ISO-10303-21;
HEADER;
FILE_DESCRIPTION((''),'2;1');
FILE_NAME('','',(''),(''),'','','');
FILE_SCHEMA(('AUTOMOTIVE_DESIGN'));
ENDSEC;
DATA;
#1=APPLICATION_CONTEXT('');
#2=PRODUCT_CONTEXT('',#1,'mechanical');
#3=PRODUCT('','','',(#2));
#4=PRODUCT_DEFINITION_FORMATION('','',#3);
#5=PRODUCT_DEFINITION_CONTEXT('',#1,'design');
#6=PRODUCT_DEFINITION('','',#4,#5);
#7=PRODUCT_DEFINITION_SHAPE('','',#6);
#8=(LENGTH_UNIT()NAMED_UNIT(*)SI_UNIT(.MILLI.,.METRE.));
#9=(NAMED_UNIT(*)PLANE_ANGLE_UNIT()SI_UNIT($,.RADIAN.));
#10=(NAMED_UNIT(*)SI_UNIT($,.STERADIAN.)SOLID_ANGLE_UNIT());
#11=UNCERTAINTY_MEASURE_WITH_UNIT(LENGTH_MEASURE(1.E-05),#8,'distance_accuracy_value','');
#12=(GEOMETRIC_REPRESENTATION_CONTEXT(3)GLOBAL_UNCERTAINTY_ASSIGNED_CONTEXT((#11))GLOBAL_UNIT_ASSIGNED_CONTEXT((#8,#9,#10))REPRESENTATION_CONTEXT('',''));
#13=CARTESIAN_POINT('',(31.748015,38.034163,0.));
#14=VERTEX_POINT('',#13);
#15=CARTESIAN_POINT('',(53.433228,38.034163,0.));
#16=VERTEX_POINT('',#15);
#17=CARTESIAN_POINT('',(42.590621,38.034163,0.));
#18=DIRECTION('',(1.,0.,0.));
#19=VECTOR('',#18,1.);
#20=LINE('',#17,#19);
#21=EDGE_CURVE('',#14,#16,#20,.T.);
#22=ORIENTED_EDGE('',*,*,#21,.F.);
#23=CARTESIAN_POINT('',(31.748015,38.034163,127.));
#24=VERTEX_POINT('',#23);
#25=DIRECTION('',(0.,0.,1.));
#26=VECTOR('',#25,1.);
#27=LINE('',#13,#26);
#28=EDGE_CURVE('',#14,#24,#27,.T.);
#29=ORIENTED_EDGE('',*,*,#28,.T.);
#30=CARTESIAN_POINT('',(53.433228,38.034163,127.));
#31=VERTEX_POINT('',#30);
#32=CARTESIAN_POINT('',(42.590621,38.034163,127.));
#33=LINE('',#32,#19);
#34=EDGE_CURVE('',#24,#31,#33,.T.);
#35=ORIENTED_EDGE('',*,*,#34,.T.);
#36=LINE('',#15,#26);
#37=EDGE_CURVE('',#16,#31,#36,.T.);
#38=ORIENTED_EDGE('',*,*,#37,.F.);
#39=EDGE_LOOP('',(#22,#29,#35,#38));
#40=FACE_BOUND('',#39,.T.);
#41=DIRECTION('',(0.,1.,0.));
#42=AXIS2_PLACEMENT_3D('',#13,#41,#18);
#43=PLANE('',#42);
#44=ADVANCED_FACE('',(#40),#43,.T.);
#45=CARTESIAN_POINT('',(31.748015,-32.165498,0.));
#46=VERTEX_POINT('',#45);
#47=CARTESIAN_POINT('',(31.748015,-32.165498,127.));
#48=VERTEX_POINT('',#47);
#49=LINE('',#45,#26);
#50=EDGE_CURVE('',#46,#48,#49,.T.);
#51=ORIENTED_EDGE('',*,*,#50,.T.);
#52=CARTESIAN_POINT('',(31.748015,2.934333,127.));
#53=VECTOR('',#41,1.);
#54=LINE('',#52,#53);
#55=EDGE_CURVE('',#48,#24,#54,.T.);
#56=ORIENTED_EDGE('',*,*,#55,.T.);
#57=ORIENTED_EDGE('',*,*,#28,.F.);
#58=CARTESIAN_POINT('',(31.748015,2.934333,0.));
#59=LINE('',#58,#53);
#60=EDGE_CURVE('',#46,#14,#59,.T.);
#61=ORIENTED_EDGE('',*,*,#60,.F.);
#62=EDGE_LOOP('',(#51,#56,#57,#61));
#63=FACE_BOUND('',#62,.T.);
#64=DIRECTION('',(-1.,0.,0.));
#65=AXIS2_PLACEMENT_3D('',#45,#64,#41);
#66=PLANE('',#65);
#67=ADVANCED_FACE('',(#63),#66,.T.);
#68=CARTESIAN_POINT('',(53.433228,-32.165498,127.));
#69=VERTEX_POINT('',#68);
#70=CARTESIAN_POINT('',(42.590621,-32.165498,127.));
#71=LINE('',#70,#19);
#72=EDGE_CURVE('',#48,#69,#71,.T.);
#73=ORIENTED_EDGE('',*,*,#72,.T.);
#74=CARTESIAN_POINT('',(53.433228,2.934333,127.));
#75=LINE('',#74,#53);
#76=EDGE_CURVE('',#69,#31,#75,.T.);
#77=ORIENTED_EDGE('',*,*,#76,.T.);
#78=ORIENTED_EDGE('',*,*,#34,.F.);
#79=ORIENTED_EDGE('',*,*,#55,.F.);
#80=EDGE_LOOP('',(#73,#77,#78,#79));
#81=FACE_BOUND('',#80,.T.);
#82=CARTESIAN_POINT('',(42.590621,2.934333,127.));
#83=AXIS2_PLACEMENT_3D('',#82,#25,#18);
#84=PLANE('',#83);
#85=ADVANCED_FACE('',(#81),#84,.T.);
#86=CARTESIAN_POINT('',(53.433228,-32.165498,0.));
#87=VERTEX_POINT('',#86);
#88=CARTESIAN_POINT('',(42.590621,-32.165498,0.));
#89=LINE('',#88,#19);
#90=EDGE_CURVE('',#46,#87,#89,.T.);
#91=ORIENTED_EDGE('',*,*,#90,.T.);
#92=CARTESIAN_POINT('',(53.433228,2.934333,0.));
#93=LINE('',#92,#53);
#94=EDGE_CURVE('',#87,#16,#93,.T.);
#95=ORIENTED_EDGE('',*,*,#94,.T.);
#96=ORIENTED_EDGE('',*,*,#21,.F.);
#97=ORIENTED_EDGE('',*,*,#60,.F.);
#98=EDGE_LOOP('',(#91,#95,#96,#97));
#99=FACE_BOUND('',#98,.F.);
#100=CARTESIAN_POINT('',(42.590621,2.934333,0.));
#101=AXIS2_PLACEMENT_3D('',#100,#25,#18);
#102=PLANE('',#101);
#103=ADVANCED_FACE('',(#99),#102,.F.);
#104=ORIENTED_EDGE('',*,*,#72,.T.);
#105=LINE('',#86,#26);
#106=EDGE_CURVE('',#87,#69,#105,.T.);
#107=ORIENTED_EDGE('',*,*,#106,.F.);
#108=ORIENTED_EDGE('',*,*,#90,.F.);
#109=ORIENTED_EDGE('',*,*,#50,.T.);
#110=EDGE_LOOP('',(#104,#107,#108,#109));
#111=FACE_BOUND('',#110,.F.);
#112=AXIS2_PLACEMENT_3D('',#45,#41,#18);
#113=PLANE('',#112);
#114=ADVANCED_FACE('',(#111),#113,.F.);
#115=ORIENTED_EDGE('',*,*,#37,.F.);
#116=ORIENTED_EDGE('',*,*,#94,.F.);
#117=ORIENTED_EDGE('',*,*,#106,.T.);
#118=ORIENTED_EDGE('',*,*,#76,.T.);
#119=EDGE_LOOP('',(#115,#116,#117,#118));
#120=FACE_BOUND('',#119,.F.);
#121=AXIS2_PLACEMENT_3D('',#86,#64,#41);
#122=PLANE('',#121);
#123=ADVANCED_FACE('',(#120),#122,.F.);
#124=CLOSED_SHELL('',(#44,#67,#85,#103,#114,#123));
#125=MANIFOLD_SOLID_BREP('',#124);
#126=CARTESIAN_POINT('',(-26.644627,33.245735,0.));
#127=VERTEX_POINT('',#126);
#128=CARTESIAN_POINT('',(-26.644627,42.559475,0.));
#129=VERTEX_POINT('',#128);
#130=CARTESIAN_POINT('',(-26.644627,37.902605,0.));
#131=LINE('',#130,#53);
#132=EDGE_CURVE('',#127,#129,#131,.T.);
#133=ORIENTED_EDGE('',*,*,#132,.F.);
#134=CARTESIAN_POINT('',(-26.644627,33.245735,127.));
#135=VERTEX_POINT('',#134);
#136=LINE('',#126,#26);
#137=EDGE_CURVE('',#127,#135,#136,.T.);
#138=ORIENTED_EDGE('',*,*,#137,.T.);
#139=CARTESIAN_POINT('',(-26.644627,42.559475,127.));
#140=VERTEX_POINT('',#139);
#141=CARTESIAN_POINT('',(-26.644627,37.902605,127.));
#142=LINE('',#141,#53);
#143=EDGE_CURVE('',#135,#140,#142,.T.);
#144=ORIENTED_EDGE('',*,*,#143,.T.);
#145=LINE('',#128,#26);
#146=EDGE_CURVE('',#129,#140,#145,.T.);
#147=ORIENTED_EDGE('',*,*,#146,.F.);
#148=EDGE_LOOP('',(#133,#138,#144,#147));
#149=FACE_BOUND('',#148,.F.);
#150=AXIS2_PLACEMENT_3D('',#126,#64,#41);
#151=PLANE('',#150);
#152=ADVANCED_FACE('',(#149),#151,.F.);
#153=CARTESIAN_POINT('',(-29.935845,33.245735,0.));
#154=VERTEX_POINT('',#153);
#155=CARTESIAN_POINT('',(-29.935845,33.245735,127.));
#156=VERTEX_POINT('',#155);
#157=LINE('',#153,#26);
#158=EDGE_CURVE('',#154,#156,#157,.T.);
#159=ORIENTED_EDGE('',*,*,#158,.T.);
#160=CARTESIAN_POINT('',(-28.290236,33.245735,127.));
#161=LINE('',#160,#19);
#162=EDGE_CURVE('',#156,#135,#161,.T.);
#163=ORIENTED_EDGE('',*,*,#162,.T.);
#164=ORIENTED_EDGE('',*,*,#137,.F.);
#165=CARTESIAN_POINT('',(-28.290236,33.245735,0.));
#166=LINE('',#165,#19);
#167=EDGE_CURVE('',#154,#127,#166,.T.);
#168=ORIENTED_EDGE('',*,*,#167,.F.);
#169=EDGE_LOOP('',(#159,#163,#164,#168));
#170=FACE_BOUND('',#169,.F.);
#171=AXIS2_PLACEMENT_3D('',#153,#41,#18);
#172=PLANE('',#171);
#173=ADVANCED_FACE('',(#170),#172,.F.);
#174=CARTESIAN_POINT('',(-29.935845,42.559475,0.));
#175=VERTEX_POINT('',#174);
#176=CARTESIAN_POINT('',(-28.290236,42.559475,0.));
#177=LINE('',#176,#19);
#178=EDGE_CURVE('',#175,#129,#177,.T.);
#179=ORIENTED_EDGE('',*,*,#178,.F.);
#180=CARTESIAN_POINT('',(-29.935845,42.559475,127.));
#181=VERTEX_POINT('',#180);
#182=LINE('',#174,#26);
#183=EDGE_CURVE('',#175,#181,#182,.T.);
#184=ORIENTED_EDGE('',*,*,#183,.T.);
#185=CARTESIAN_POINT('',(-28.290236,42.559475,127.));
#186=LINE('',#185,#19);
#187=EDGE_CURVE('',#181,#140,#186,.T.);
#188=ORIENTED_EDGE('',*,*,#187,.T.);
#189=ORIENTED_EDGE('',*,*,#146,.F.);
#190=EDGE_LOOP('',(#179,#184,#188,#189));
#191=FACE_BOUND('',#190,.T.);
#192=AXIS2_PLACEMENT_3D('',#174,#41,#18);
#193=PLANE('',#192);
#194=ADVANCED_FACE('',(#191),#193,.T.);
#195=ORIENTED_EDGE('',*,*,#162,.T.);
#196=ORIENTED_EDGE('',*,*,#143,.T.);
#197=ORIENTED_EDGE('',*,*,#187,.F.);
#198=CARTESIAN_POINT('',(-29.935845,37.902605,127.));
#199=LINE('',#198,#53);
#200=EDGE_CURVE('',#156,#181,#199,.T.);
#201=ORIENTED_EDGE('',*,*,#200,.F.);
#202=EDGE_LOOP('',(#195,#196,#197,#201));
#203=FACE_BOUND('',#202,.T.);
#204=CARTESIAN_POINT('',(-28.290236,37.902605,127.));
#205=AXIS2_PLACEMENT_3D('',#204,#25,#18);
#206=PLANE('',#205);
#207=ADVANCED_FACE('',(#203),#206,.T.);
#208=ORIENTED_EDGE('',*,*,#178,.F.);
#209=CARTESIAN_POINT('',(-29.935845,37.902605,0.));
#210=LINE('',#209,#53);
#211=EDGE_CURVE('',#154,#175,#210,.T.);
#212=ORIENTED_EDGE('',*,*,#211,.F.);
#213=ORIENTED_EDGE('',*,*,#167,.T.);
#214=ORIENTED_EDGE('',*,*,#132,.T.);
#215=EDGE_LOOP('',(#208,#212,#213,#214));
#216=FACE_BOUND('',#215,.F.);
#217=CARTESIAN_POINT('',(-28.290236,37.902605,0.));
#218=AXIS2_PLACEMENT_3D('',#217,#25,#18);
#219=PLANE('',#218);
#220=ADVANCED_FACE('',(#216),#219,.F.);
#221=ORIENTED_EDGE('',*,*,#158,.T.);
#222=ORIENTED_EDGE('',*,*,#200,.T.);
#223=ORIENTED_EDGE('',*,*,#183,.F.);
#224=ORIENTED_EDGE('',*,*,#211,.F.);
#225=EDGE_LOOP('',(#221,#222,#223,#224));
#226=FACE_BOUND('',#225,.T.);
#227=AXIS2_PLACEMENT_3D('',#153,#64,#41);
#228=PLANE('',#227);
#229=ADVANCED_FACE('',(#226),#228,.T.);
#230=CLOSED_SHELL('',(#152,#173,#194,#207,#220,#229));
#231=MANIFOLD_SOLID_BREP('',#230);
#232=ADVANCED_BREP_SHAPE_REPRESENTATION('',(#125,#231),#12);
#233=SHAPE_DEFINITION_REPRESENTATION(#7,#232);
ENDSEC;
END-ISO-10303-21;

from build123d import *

# Parameters (mm, degrees)
F0_W     = 3.291217
F0_H     = 9.31374
F0_W_2   = 21.685213
F0_H_2   = 70.199661
F1_DEPTH = 127


with BuildPart() as f1:
    # F0 (on Top) → F1 (new body)
    with BuildSketch(Plane.XY):
        with Locations((-28.290236, 37.902605)):
            Rectangle(F0_W, F0_H)
        with Locations((42.590621, 2.934333)):
            Rectangle(F0_W_2, F0_H_2)
    extrude(amount=F1_DEPTH)


solid = f1.part
